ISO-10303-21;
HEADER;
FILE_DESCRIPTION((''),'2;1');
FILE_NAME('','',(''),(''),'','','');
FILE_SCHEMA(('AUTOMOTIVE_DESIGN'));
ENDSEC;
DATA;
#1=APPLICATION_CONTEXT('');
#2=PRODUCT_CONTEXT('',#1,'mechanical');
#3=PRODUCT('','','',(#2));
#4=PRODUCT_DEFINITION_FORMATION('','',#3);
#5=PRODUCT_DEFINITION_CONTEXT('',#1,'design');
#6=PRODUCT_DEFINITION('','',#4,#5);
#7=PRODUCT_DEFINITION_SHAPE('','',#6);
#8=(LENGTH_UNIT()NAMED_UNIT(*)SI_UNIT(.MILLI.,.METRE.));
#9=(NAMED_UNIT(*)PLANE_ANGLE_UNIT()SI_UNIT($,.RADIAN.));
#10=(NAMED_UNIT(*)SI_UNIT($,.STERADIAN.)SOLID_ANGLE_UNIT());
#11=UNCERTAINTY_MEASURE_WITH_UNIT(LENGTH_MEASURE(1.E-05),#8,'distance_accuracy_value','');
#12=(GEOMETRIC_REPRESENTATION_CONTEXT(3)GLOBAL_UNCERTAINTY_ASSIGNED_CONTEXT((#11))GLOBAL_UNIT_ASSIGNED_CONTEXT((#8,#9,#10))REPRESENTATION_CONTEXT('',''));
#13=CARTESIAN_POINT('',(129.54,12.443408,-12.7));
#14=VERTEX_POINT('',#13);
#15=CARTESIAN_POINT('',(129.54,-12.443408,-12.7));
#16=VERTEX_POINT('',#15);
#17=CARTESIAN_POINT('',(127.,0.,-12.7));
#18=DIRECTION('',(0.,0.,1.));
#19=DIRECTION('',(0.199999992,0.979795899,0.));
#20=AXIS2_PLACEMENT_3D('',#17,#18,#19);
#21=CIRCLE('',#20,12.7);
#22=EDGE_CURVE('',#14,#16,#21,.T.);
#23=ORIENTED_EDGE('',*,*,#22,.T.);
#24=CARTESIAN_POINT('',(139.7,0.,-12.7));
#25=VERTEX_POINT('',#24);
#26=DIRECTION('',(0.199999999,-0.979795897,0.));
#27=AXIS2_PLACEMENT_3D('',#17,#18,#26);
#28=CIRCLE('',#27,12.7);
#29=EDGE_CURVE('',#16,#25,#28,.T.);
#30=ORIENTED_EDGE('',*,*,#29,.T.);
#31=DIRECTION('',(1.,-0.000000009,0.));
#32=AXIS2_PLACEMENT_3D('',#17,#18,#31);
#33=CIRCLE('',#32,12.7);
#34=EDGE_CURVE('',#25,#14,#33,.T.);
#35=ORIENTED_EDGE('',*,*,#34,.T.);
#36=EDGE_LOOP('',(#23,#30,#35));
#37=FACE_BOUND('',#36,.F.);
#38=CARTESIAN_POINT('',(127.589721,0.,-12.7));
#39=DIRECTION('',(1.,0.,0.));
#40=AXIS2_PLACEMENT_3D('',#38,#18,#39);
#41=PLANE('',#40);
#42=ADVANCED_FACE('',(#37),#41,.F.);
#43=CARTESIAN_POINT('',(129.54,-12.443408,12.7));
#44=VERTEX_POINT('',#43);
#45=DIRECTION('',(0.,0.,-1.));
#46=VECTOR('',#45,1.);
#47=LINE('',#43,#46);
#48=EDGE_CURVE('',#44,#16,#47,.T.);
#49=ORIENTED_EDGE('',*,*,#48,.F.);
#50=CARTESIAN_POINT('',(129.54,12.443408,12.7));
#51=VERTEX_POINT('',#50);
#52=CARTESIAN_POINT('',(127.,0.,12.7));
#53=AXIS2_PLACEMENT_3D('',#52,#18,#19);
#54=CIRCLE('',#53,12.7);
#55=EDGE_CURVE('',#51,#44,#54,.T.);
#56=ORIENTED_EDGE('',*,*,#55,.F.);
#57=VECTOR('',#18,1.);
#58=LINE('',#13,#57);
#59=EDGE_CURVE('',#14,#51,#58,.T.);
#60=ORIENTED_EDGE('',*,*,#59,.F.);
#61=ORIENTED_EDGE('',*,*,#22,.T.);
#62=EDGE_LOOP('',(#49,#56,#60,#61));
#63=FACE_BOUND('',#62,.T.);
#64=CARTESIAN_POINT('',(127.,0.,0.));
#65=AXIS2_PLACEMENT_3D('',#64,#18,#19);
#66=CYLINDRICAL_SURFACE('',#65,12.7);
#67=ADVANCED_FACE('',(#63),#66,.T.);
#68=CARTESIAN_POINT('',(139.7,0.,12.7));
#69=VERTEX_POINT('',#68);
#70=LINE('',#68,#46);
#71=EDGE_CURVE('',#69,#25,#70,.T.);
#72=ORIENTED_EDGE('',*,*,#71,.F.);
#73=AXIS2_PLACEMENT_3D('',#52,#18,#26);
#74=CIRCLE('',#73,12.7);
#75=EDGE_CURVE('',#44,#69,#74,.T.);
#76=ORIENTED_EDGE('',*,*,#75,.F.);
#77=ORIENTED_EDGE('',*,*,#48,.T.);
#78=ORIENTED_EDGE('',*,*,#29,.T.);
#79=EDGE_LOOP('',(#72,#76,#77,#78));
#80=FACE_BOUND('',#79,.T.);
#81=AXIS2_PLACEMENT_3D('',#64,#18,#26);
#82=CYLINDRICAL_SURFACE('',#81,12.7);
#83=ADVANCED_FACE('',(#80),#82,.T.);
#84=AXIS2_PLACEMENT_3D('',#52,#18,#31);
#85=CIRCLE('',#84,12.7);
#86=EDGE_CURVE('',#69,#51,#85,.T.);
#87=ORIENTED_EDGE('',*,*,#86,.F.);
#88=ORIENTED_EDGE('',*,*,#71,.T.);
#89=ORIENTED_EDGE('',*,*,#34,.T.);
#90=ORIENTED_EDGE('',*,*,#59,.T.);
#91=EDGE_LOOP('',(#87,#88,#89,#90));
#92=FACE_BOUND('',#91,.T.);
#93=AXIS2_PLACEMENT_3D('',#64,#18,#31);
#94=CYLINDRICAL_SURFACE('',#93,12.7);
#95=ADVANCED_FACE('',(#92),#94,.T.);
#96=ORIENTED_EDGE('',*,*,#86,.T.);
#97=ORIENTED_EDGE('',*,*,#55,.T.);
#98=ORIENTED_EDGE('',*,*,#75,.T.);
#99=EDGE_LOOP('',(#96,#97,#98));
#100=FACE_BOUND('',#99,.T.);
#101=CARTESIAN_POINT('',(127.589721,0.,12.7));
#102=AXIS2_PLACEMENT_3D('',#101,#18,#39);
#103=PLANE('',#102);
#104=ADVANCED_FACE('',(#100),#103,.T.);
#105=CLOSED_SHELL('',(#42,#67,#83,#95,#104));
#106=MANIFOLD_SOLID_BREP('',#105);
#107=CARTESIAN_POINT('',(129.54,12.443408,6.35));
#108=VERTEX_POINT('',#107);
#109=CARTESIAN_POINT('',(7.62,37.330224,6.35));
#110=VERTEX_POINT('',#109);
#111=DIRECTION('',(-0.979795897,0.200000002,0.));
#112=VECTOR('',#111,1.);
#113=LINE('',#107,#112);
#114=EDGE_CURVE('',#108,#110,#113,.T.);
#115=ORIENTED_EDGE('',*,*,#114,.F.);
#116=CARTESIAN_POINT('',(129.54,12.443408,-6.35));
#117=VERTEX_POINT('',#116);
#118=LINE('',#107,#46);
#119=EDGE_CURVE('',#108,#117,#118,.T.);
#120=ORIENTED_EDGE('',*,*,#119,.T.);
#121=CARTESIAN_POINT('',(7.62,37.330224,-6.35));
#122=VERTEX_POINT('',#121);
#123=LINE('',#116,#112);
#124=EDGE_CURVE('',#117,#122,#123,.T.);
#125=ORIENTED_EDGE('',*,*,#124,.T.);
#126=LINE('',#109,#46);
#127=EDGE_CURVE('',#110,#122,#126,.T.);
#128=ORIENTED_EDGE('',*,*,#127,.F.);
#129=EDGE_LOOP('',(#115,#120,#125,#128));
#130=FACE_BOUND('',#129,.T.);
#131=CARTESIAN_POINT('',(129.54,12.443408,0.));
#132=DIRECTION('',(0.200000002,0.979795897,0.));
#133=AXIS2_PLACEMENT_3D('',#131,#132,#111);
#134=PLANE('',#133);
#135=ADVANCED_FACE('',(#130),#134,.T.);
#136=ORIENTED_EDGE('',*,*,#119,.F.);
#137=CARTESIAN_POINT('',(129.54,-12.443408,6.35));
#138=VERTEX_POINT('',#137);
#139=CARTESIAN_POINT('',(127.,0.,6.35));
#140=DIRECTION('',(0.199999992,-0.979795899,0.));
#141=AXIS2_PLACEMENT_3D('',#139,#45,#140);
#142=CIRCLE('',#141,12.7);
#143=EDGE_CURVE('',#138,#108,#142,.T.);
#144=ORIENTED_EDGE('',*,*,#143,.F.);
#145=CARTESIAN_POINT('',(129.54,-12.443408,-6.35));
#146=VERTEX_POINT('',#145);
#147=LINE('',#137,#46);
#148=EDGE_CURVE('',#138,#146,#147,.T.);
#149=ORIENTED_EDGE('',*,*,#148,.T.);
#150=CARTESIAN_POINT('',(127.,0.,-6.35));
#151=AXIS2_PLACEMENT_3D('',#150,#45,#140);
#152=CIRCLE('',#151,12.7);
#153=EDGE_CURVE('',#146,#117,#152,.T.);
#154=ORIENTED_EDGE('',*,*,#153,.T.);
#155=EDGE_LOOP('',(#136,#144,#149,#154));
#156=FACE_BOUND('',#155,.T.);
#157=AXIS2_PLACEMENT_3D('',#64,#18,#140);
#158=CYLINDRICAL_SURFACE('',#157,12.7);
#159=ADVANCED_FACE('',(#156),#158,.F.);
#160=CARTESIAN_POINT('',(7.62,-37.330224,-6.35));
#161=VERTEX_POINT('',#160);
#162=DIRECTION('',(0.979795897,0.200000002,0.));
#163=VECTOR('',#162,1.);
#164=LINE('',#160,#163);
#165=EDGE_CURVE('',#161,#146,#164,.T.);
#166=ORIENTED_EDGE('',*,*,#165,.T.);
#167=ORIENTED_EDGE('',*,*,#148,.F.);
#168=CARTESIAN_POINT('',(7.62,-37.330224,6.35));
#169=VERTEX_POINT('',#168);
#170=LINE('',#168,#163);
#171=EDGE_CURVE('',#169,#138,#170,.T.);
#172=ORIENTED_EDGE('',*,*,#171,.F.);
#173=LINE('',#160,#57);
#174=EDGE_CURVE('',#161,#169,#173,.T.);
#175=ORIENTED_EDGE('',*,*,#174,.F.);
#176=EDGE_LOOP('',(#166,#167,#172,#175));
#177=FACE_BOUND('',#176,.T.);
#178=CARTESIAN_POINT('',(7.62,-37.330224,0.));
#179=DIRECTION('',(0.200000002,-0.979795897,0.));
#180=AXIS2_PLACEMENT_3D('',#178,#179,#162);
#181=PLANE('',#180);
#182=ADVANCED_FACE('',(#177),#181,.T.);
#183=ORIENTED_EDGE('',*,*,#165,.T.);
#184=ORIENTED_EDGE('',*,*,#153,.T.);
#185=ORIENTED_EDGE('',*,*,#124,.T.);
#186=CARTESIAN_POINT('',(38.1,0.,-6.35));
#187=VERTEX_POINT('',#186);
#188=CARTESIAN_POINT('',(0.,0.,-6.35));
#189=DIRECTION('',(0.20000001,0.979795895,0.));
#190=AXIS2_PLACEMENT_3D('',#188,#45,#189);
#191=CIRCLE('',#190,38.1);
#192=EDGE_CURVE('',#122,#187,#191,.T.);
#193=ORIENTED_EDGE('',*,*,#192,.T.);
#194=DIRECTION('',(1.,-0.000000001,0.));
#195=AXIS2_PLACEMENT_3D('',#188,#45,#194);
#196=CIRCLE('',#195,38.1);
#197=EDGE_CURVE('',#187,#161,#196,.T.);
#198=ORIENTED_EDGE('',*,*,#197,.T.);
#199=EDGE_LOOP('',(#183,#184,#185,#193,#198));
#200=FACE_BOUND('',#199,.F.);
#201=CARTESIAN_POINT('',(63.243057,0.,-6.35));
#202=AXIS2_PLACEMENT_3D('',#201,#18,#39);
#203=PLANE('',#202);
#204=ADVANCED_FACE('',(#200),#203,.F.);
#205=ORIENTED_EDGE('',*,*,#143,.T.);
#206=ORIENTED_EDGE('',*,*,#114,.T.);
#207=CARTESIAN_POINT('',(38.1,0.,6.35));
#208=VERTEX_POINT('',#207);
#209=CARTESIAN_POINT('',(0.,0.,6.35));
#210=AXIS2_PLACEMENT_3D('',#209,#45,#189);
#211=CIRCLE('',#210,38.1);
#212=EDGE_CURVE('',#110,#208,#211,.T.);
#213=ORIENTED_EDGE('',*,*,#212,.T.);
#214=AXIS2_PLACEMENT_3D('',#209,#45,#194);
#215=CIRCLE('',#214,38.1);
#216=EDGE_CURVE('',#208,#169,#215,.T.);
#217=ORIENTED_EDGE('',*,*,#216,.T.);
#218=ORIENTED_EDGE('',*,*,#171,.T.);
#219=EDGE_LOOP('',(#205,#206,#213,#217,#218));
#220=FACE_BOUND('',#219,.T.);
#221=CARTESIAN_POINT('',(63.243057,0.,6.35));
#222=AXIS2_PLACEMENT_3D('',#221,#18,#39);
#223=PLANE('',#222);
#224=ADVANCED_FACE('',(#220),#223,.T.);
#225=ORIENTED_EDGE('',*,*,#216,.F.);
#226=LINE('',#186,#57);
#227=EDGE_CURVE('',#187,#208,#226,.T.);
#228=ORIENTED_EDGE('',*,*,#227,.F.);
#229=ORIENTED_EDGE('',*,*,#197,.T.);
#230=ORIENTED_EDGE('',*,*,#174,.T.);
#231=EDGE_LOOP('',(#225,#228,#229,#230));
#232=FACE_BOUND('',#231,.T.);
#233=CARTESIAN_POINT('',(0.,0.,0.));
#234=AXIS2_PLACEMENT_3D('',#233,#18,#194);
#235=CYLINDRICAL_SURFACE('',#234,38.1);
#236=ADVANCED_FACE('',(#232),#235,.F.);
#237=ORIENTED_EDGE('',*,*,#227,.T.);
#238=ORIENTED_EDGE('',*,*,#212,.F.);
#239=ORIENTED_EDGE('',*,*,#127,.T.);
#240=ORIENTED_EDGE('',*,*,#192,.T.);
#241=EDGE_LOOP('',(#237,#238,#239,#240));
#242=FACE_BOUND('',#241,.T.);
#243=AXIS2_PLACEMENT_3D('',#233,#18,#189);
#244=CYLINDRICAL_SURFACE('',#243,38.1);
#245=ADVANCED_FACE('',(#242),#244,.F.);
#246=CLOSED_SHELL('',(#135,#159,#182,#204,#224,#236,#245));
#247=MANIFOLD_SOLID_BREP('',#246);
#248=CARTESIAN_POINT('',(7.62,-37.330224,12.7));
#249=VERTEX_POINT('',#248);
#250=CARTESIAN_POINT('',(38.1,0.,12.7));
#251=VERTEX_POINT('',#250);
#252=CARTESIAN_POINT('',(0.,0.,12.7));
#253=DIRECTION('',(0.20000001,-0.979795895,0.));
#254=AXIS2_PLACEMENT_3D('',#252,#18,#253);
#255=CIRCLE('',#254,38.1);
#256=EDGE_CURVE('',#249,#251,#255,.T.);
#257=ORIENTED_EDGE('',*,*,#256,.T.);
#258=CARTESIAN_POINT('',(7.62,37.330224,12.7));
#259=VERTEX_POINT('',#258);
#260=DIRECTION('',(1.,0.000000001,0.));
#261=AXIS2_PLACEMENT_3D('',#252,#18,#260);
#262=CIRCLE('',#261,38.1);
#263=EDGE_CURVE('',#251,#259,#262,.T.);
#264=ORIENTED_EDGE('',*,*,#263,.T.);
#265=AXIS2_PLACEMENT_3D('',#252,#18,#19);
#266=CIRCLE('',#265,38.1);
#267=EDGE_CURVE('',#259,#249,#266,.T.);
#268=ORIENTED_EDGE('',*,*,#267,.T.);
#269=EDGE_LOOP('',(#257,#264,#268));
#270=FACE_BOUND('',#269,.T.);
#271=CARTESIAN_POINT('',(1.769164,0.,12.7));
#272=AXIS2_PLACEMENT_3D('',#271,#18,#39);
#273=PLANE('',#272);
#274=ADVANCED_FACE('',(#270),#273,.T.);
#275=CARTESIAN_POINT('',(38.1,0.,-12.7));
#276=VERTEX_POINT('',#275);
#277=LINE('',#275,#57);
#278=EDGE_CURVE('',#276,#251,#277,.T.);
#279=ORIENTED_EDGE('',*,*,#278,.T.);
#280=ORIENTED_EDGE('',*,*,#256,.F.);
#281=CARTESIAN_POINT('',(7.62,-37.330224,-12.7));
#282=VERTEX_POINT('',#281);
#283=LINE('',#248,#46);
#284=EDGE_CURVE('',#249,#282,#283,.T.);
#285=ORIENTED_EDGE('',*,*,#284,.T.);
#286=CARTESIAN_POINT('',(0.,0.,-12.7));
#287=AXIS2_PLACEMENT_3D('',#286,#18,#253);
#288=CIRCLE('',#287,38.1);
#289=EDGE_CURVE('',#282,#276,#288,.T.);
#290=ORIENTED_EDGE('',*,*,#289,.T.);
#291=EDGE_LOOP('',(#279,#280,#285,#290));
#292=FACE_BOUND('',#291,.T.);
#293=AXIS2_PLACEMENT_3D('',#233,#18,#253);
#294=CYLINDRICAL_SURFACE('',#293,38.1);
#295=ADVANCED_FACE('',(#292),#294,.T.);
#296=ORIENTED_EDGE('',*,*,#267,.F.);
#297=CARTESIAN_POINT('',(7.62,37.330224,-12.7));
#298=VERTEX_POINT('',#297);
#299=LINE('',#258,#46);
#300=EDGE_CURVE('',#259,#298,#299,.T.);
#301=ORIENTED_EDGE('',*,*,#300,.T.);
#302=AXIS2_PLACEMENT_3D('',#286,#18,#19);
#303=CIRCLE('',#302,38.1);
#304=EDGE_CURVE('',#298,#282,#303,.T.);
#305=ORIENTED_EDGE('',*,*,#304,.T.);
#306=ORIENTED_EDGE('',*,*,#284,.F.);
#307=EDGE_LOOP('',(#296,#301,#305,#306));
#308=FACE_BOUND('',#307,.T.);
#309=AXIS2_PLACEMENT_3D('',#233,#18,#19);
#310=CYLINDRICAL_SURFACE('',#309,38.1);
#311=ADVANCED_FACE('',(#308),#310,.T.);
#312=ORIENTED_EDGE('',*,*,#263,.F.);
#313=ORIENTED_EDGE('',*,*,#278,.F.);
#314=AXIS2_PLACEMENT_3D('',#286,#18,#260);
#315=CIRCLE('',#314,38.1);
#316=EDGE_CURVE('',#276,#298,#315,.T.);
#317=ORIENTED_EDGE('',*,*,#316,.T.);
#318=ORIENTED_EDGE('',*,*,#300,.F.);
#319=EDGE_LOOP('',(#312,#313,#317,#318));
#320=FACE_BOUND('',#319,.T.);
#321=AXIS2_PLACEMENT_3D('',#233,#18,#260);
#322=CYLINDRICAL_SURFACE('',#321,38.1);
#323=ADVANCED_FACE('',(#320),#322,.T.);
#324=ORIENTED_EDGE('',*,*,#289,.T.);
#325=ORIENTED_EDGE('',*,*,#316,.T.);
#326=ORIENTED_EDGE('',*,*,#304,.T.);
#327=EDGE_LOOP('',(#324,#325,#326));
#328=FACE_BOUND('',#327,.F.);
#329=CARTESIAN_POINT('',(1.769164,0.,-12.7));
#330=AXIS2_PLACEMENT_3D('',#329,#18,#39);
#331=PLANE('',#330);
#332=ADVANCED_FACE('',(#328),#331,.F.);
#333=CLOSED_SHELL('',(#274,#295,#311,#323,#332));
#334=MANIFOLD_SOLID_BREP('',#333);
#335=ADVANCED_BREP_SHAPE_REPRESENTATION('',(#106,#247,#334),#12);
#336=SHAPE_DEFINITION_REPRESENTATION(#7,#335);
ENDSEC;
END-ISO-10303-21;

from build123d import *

# Parameters (mm, degrees)
F1_DEPTH = 12.7
F2_DEPTH = 12.7
F3_DEPTH = 6.35


with BuildPart() as f1:
    # F0 (on Top) → F1 (new body, symmetric)
    with BuildSketch(Plane.XY):
        with BuildLine():
            ThreePointArc((7.62, -37.330224), (29.512133, -24.096556), (38.1, 0))
            ThreePointArc((38.1, 0), (29.512133, 24.096556), (7.62, 37.330224))
            ThreePointArc((7.62, 37.330224), (-38.1, 0), (7.62, -37.330224))
        make_face()
    extrude(amount=F1_DEPTH, both=True)


with BuildPart() as f2:
    # F0 (on Top) → F2 (new body, symmetric)
    with BuildSketch(Plane.XY):
        with BuildLine():
            ThreePointArc((139.7, 0), (136.837378, 8.032185), (129.54, 12.443408))
            ThreePointArc((129.54, 12.443408), (114.3, 0), (129.54, -12.443408))
            ThreePointArc((129.54, -12.443408), (136.837378, -8.032185), (139.7, 0))
        make_face()
    extrude(amount=F2_DEPTH, both=True)


with BuildPart() as f3:
    # F0 (on Top) → F3 (new body, symmetric)
    with BuildSketch(Plane.XY):
        with BuildLine():
            ThreePointArc((7.62, 37.330224), (29.512133, 24.096556), (38.1, 0))
            ThreePointArc((38.1, 0), (29.512133, -24.096556), (7.62, -37.330224))
            Line((7.62, -37.330224), (129.54, -12.443408))
            ThreePointArc((129.54, -12.443408), (114.3, 0), (129.54, 12.443408))
            Line((129.54, 12.443408), (7.62, 37.330224))
        make_face()
    extrude(amount=F3_DEPTH, both=True)


solid = Compound([f1.part, f2.part, f3.part])
